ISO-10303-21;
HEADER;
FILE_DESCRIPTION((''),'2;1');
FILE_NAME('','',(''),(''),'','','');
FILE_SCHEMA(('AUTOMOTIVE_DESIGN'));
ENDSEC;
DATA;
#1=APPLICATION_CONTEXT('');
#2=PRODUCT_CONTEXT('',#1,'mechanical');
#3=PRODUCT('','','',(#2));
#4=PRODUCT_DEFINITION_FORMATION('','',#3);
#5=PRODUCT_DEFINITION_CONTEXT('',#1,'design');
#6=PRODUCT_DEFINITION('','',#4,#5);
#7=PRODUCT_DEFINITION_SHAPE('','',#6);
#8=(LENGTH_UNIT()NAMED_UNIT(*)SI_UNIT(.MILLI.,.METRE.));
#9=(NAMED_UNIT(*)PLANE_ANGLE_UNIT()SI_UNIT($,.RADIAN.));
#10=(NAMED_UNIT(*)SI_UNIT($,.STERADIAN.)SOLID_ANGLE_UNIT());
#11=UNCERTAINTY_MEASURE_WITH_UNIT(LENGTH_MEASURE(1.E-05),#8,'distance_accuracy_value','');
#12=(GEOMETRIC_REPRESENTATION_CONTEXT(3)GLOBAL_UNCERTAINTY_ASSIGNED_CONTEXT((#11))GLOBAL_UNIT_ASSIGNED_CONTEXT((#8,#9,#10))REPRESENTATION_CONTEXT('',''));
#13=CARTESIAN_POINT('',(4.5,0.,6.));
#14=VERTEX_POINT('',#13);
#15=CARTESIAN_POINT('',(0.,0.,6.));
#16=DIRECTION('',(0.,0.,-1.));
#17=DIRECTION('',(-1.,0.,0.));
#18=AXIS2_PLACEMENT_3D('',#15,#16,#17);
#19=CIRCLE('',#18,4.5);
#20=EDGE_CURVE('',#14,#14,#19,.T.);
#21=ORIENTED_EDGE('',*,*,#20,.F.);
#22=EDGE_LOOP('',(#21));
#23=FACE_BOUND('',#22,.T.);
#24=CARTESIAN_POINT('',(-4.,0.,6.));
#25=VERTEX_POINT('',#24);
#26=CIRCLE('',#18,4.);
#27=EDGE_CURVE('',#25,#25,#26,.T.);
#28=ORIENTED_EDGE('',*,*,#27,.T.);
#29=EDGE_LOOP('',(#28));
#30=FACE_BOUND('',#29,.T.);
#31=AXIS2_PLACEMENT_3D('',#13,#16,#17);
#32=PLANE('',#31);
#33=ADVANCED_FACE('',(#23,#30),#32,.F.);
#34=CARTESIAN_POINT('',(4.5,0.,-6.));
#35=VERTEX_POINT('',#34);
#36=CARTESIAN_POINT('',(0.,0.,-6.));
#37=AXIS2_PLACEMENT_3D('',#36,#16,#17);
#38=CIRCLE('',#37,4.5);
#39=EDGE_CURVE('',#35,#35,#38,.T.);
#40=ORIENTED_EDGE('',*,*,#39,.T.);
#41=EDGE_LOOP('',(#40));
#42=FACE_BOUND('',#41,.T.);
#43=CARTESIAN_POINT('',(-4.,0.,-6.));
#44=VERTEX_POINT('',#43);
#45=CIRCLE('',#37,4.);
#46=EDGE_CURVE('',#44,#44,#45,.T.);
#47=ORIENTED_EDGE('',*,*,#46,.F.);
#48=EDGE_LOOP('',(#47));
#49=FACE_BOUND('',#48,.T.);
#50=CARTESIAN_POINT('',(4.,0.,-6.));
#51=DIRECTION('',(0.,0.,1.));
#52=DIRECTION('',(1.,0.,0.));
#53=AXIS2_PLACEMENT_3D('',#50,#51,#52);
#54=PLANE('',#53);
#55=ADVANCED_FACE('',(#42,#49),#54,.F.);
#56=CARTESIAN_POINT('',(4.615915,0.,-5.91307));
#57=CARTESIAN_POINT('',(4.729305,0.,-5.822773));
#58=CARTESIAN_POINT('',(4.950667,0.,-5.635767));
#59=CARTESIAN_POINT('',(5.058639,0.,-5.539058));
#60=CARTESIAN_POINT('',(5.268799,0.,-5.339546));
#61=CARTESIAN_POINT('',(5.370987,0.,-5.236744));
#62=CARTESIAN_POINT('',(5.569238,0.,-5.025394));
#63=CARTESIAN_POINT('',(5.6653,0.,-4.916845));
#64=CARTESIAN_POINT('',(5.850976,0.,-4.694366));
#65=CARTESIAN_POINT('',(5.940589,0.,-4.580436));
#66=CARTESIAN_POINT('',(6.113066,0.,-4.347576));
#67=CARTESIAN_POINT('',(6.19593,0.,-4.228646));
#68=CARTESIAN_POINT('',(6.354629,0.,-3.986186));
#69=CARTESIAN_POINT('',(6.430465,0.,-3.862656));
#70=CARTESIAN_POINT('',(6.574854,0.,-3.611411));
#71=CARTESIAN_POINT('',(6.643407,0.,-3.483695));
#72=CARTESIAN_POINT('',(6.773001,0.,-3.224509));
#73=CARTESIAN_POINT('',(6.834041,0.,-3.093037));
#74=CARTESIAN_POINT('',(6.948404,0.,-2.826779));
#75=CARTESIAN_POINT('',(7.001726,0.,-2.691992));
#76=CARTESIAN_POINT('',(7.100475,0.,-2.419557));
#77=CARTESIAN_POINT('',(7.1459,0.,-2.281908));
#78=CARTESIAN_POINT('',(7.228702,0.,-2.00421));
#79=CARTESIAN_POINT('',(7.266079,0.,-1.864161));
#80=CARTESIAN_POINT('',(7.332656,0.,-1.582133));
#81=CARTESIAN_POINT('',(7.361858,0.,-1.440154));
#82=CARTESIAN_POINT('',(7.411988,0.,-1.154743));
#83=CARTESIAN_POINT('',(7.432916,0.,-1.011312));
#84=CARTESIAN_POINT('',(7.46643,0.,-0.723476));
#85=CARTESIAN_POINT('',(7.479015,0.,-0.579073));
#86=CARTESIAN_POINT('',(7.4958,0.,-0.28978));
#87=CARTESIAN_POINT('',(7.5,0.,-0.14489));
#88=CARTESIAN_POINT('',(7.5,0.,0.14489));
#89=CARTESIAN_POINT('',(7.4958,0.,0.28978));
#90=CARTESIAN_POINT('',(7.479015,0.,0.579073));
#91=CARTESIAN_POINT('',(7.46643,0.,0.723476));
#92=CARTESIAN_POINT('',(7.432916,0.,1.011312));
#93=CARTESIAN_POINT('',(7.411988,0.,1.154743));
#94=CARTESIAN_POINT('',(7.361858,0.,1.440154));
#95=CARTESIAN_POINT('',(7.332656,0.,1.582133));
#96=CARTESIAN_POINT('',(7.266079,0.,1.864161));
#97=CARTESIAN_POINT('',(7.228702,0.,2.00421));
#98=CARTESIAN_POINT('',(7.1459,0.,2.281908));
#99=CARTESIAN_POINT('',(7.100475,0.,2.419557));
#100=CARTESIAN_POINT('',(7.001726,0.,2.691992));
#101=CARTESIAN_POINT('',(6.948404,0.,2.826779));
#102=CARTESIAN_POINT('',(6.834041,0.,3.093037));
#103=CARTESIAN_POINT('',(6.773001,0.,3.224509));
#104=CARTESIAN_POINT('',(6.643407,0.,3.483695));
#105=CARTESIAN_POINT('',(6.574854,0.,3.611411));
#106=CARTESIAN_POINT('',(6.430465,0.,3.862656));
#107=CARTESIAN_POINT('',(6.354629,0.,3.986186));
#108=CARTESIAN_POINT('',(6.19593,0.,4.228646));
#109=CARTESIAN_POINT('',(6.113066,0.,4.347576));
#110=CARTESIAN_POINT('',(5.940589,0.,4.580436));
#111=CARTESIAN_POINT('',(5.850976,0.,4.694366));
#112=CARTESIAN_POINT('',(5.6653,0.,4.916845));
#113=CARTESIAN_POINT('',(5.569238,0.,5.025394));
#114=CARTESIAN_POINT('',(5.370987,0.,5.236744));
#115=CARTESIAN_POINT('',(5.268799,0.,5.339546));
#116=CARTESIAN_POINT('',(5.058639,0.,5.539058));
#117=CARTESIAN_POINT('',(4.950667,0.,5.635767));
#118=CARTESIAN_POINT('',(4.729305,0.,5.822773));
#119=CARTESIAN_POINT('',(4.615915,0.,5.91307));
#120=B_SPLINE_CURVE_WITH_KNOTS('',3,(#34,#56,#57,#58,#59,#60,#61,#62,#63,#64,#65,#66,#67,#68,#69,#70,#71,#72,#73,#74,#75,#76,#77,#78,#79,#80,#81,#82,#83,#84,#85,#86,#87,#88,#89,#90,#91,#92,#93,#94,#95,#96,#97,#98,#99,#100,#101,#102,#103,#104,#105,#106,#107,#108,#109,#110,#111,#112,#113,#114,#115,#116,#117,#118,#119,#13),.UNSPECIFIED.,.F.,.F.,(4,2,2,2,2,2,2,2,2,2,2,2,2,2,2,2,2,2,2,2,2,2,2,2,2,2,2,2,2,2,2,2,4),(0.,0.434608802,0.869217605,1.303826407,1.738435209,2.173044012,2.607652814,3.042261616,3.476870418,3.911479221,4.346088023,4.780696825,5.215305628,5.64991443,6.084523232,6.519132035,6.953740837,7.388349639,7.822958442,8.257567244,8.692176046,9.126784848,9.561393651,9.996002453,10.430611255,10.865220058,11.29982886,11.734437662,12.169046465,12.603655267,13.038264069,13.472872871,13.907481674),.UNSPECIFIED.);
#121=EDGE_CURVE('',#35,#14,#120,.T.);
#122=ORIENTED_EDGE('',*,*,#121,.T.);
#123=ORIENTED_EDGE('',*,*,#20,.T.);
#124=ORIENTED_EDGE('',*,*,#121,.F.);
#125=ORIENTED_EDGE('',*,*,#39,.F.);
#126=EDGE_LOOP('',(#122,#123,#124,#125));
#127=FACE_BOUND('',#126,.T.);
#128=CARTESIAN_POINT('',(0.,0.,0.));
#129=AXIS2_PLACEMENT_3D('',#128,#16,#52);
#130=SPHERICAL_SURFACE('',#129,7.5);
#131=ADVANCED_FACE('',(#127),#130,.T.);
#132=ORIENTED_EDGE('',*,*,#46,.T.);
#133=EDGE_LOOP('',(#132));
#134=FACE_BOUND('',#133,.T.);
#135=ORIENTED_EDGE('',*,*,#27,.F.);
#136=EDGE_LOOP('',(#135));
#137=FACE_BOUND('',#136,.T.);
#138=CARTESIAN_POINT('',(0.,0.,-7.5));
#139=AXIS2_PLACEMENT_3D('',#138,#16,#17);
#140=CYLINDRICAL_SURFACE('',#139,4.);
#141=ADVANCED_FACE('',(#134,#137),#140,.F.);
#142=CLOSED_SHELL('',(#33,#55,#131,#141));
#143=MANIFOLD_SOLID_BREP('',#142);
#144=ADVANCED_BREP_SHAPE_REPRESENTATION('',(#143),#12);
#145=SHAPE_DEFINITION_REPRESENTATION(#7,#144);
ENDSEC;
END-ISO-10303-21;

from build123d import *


with BuildPart() as part:
    # Эскиз1 → Повернуть1 (revolve)
    with BuildSketch(Plane(origin=(0, 0, 0), x_dir=(1, 0, 0), z_dir=(0, 1, 0))):
        with BuildLine():
            Line((4, 6), (4, -6))
            Line((4, -6), (4.5, -6))
            ThreePointArc((4.5, -6), (7.5, 0), (4.5, 6))
            Line((4.5, 6), (4, 6))
        make_face()
    revolve(axis=Axis((0, 0, -7.5), (0, 0, 1)))


solid = part.part
